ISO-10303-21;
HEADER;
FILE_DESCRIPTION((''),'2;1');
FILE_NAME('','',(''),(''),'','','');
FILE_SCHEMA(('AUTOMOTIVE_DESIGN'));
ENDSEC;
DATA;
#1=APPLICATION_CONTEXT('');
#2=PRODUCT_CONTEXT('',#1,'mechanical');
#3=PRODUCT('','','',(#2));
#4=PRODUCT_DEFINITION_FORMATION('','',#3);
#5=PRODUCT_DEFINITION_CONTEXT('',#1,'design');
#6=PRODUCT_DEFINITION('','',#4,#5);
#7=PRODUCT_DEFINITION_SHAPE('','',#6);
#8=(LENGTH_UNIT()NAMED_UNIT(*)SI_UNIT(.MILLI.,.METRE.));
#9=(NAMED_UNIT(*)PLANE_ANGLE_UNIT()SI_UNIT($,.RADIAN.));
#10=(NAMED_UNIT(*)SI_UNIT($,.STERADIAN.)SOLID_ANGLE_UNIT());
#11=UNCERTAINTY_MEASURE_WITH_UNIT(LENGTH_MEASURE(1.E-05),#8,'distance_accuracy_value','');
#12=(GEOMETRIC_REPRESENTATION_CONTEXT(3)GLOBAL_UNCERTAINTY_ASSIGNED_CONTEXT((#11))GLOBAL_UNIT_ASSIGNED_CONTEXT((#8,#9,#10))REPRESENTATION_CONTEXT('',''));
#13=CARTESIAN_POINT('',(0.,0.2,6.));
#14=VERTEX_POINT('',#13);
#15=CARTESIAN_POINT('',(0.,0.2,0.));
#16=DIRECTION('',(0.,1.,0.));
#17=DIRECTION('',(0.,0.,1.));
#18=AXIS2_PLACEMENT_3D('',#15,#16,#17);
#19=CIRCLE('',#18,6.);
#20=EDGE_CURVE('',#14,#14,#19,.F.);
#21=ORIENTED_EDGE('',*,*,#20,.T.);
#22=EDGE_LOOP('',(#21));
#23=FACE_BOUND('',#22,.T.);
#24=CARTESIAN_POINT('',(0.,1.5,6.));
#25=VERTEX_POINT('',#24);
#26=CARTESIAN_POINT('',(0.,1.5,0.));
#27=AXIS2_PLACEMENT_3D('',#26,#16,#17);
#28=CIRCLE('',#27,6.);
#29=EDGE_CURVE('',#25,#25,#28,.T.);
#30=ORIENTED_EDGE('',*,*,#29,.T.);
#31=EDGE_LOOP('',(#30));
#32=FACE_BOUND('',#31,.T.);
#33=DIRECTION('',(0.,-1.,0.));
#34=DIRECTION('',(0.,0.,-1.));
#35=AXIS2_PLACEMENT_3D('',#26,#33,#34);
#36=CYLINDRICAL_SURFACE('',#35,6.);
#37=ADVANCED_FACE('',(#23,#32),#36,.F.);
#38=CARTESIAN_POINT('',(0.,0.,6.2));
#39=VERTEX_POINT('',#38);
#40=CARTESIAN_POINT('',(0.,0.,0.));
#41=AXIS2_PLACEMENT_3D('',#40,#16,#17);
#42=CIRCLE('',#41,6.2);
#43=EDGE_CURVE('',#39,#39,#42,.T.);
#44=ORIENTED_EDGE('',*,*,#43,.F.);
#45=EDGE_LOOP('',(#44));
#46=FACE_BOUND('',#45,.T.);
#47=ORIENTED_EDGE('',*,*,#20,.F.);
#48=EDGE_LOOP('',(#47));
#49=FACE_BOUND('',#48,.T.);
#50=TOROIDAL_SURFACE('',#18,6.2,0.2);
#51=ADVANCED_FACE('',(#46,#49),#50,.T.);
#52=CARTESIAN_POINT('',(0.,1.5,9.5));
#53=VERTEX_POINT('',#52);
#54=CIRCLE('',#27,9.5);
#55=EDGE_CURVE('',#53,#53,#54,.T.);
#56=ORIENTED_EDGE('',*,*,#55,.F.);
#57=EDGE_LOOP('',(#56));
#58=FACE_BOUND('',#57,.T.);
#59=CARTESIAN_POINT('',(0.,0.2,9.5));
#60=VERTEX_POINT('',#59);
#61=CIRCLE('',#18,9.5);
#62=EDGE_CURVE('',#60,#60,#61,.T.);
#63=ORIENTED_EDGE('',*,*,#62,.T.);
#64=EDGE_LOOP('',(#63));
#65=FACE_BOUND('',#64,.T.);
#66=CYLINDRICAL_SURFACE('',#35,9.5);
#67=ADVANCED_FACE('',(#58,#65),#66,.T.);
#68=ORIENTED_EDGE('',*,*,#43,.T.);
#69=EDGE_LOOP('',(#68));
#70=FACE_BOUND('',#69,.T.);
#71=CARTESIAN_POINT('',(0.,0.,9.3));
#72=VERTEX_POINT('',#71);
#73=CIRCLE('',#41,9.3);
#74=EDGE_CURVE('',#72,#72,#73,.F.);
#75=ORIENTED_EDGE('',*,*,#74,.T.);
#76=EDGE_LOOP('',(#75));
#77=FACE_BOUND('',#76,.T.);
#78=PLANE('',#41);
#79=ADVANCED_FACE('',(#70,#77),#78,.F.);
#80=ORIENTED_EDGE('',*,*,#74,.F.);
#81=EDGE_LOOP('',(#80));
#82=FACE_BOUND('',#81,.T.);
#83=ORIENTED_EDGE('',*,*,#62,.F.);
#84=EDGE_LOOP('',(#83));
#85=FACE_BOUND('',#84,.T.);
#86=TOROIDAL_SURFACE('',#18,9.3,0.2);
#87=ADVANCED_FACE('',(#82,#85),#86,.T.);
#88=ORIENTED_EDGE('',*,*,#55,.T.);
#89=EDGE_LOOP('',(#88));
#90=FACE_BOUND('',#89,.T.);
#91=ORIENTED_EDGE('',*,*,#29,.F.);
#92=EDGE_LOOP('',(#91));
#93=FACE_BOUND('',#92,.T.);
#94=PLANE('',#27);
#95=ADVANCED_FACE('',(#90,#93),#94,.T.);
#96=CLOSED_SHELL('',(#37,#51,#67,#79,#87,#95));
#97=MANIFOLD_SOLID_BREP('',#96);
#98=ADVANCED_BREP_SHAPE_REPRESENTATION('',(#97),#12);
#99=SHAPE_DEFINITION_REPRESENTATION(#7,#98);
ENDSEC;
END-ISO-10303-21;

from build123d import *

# Parameters (mm, degrees)
SKETCH1_R           = 9.5
SKETCH1_R_2         = 6
BOSS_EXTRUDE1_DEPTH = 1.5
FILLET1_R           = 0.2


with BuildPart() as part:
    # Sketch1 → Boss-Extrude1 (new body)
    with BuildSketch(Plane(origin=(0, 0, 0), x_dir=(1, 0, 0), z_dir=(0, 1, 0))):
        Circle(SKETCH1_R)
        Circle(SKETCH1_R_2, mode=Mode.SUBTRACT)
    extrude(amount=BOSS_EXTRUDE1_DEPTH)

    # Fillet1
    fillet1_edges = [part.edges().sort_by_distance(p)[0] for p in [
        (-9.5, 0, 0),
        (-6, 0, 0),
    ]]
    fillet(fillet1_edges, radius=FILLET1_R)


solid = part.part
